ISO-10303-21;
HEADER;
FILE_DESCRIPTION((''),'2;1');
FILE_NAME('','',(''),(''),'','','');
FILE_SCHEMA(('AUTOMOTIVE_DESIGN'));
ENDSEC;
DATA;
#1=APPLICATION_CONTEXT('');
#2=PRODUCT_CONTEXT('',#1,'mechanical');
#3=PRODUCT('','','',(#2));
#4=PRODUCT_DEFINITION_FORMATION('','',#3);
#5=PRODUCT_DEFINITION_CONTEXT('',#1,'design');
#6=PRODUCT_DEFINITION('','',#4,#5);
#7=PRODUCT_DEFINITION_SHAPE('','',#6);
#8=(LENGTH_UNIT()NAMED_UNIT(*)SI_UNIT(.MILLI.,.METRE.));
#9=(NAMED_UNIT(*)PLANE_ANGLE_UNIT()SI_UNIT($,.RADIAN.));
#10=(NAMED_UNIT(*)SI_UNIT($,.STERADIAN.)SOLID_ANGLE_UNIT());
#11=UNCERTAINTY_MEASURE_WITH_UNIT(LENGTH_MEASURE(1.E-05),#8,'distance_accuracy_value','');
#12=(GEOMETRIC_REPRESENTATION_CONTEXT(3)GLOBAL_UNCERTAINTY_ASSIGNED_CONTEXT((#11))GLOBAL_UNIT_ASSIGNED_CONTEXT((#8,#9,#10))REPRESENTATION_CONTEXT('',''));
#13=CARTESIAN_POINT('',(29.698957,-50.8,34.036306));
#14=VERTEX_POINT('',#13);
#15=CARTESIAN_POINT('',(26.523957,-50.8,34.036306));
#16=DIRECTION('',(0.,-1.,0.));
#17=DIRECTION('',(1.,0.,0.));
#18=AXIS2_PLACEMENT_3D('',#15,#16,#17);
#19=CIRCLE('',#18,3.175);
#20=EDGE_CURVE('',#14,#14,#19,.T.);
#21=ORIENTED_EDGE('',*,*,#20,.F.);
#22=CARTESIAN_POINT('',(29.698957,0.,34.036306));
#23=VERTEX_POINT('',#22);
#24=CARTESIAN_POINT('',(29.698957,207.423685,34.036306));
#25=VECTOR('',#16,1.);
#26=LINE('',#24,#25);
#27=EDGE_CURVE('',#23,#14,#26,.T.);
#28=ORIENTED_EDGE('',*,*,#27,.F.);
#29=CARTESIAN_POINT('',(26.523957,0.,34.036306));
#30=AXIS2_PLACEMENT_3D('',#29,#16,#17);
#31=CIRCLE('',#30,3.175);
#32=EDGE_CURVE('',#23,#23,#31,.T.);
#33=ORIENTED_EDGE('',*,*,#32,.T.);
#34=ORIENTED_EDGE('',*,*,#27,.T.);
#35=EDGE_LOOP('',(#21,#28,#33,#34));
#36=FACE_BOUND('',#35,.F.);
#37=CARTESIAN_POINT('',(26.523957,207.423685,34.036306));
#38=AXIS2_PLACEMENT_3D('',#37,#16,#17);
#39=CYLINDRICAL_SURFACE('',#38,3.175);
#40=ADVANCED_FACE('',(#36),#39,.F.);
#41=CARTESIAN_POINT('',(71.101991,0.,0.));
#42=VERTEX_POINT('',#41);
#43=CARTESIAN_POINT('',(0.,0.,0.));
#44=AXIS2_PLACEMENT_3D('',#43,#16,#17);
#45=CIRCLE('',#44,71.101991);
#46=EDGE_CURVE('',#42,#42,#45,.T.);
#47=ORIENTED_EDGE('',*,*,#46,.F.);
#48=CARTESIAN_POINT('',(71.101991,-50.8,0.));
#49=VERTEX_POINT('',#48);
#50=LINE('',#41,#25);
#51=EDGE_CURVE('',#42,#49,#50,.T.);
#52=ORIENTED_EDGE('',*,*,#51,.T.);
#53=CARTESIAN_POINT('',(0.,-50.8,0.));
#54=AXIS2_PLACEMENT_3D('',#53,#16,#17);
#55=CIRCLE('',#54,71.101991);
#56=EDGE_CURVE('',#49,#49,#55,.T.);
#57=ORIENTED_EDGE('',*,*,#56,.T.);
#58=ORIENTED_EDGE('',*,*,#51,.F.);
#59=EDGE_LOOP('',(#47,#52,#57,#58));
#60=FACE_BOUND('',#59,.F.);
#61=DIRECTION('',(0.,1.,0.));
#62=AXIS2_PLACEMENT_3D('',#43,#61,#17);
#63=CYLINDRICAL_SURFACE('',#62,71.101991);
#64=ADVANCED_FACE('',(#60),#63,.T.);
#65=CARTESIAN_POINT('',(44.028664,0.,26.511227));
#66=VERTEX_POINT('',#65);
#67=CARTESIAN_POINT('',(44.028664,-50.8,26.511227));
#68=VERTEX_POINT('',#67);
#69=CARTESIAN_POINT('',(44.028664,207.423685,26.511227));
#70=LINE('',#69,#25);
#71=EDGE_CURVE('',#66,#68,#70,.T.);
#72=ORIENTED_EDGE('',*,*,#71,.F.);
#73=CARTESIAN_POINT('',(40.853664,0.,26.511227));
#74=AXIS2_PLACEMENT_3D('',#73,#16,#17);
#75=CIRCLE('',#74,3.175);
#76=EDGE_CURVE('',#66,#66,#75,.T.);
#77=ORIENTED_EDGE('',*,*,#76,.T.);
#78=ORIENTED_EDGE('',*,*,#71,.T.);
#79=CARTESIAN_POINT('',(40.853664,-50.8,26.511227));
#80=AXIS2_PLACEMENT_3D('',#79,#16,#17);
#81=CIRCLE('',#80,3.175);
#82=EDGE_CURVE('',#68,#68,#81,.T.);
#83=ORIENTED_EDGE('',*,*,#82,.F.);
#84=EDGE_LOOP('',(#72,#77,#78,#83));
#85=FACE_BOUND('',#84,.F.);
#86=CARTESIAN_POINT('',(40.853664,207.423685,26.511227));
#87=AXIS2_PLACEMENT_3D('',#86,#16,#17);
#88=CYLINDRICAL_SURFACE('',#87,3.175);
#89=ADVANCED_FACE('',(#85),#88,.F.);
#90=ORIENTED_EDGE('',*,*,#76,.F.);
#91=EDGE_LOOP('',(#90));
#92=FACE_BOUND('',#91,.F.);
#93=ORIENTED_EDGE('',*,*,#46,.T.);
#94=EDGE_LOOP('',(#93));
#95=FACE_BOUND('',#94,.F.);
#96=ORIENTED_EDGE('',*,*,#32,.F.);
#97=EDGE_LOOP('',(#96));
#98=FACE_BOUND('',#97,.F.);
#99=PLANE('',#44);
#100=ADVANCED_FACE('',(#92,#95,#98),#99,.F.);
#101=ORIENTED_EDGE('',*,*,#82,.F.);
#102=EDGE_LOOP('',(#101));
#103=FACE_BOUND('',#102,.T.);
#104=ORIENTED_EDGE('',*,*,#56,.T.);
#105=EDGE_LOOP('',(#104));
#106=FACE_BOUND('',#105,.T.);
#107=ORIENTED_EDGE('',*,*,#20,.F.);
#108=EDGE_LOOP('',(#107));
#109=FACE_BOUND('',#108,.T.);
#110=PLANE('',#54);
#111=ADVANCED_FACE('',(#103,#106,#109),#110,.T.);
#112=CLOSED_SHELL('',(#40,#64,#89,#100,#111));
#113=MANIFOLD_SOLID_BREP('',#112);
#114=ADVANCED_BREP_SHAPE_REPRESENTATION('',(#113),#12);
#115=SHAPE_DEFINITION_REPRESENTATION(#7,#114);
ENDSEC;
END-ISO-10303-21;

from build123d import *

# Parameters (mm, degrees)
F0_R     = 71.101991
F1_DEPTH = 50.8
F3_D     = 6.35


with BuildPart() as f1:
    # F0 (on Front) → F1 (new body)
    with BuildSketch(Plane.XZ):
        Circle(F0_R)
    extrude(amount=F1_DEPTH)

    # F3 (through all)
    with Locations(Plane(origin=(0, 0, 0), x_dir=(-1, 0, 0), z_dir=(0, 1, 0))):
        with Locations((-40.853664, 26.511227), (-26.523957, 34.036306)):
            Hole(F3_D / 2)


solid = f1.part
